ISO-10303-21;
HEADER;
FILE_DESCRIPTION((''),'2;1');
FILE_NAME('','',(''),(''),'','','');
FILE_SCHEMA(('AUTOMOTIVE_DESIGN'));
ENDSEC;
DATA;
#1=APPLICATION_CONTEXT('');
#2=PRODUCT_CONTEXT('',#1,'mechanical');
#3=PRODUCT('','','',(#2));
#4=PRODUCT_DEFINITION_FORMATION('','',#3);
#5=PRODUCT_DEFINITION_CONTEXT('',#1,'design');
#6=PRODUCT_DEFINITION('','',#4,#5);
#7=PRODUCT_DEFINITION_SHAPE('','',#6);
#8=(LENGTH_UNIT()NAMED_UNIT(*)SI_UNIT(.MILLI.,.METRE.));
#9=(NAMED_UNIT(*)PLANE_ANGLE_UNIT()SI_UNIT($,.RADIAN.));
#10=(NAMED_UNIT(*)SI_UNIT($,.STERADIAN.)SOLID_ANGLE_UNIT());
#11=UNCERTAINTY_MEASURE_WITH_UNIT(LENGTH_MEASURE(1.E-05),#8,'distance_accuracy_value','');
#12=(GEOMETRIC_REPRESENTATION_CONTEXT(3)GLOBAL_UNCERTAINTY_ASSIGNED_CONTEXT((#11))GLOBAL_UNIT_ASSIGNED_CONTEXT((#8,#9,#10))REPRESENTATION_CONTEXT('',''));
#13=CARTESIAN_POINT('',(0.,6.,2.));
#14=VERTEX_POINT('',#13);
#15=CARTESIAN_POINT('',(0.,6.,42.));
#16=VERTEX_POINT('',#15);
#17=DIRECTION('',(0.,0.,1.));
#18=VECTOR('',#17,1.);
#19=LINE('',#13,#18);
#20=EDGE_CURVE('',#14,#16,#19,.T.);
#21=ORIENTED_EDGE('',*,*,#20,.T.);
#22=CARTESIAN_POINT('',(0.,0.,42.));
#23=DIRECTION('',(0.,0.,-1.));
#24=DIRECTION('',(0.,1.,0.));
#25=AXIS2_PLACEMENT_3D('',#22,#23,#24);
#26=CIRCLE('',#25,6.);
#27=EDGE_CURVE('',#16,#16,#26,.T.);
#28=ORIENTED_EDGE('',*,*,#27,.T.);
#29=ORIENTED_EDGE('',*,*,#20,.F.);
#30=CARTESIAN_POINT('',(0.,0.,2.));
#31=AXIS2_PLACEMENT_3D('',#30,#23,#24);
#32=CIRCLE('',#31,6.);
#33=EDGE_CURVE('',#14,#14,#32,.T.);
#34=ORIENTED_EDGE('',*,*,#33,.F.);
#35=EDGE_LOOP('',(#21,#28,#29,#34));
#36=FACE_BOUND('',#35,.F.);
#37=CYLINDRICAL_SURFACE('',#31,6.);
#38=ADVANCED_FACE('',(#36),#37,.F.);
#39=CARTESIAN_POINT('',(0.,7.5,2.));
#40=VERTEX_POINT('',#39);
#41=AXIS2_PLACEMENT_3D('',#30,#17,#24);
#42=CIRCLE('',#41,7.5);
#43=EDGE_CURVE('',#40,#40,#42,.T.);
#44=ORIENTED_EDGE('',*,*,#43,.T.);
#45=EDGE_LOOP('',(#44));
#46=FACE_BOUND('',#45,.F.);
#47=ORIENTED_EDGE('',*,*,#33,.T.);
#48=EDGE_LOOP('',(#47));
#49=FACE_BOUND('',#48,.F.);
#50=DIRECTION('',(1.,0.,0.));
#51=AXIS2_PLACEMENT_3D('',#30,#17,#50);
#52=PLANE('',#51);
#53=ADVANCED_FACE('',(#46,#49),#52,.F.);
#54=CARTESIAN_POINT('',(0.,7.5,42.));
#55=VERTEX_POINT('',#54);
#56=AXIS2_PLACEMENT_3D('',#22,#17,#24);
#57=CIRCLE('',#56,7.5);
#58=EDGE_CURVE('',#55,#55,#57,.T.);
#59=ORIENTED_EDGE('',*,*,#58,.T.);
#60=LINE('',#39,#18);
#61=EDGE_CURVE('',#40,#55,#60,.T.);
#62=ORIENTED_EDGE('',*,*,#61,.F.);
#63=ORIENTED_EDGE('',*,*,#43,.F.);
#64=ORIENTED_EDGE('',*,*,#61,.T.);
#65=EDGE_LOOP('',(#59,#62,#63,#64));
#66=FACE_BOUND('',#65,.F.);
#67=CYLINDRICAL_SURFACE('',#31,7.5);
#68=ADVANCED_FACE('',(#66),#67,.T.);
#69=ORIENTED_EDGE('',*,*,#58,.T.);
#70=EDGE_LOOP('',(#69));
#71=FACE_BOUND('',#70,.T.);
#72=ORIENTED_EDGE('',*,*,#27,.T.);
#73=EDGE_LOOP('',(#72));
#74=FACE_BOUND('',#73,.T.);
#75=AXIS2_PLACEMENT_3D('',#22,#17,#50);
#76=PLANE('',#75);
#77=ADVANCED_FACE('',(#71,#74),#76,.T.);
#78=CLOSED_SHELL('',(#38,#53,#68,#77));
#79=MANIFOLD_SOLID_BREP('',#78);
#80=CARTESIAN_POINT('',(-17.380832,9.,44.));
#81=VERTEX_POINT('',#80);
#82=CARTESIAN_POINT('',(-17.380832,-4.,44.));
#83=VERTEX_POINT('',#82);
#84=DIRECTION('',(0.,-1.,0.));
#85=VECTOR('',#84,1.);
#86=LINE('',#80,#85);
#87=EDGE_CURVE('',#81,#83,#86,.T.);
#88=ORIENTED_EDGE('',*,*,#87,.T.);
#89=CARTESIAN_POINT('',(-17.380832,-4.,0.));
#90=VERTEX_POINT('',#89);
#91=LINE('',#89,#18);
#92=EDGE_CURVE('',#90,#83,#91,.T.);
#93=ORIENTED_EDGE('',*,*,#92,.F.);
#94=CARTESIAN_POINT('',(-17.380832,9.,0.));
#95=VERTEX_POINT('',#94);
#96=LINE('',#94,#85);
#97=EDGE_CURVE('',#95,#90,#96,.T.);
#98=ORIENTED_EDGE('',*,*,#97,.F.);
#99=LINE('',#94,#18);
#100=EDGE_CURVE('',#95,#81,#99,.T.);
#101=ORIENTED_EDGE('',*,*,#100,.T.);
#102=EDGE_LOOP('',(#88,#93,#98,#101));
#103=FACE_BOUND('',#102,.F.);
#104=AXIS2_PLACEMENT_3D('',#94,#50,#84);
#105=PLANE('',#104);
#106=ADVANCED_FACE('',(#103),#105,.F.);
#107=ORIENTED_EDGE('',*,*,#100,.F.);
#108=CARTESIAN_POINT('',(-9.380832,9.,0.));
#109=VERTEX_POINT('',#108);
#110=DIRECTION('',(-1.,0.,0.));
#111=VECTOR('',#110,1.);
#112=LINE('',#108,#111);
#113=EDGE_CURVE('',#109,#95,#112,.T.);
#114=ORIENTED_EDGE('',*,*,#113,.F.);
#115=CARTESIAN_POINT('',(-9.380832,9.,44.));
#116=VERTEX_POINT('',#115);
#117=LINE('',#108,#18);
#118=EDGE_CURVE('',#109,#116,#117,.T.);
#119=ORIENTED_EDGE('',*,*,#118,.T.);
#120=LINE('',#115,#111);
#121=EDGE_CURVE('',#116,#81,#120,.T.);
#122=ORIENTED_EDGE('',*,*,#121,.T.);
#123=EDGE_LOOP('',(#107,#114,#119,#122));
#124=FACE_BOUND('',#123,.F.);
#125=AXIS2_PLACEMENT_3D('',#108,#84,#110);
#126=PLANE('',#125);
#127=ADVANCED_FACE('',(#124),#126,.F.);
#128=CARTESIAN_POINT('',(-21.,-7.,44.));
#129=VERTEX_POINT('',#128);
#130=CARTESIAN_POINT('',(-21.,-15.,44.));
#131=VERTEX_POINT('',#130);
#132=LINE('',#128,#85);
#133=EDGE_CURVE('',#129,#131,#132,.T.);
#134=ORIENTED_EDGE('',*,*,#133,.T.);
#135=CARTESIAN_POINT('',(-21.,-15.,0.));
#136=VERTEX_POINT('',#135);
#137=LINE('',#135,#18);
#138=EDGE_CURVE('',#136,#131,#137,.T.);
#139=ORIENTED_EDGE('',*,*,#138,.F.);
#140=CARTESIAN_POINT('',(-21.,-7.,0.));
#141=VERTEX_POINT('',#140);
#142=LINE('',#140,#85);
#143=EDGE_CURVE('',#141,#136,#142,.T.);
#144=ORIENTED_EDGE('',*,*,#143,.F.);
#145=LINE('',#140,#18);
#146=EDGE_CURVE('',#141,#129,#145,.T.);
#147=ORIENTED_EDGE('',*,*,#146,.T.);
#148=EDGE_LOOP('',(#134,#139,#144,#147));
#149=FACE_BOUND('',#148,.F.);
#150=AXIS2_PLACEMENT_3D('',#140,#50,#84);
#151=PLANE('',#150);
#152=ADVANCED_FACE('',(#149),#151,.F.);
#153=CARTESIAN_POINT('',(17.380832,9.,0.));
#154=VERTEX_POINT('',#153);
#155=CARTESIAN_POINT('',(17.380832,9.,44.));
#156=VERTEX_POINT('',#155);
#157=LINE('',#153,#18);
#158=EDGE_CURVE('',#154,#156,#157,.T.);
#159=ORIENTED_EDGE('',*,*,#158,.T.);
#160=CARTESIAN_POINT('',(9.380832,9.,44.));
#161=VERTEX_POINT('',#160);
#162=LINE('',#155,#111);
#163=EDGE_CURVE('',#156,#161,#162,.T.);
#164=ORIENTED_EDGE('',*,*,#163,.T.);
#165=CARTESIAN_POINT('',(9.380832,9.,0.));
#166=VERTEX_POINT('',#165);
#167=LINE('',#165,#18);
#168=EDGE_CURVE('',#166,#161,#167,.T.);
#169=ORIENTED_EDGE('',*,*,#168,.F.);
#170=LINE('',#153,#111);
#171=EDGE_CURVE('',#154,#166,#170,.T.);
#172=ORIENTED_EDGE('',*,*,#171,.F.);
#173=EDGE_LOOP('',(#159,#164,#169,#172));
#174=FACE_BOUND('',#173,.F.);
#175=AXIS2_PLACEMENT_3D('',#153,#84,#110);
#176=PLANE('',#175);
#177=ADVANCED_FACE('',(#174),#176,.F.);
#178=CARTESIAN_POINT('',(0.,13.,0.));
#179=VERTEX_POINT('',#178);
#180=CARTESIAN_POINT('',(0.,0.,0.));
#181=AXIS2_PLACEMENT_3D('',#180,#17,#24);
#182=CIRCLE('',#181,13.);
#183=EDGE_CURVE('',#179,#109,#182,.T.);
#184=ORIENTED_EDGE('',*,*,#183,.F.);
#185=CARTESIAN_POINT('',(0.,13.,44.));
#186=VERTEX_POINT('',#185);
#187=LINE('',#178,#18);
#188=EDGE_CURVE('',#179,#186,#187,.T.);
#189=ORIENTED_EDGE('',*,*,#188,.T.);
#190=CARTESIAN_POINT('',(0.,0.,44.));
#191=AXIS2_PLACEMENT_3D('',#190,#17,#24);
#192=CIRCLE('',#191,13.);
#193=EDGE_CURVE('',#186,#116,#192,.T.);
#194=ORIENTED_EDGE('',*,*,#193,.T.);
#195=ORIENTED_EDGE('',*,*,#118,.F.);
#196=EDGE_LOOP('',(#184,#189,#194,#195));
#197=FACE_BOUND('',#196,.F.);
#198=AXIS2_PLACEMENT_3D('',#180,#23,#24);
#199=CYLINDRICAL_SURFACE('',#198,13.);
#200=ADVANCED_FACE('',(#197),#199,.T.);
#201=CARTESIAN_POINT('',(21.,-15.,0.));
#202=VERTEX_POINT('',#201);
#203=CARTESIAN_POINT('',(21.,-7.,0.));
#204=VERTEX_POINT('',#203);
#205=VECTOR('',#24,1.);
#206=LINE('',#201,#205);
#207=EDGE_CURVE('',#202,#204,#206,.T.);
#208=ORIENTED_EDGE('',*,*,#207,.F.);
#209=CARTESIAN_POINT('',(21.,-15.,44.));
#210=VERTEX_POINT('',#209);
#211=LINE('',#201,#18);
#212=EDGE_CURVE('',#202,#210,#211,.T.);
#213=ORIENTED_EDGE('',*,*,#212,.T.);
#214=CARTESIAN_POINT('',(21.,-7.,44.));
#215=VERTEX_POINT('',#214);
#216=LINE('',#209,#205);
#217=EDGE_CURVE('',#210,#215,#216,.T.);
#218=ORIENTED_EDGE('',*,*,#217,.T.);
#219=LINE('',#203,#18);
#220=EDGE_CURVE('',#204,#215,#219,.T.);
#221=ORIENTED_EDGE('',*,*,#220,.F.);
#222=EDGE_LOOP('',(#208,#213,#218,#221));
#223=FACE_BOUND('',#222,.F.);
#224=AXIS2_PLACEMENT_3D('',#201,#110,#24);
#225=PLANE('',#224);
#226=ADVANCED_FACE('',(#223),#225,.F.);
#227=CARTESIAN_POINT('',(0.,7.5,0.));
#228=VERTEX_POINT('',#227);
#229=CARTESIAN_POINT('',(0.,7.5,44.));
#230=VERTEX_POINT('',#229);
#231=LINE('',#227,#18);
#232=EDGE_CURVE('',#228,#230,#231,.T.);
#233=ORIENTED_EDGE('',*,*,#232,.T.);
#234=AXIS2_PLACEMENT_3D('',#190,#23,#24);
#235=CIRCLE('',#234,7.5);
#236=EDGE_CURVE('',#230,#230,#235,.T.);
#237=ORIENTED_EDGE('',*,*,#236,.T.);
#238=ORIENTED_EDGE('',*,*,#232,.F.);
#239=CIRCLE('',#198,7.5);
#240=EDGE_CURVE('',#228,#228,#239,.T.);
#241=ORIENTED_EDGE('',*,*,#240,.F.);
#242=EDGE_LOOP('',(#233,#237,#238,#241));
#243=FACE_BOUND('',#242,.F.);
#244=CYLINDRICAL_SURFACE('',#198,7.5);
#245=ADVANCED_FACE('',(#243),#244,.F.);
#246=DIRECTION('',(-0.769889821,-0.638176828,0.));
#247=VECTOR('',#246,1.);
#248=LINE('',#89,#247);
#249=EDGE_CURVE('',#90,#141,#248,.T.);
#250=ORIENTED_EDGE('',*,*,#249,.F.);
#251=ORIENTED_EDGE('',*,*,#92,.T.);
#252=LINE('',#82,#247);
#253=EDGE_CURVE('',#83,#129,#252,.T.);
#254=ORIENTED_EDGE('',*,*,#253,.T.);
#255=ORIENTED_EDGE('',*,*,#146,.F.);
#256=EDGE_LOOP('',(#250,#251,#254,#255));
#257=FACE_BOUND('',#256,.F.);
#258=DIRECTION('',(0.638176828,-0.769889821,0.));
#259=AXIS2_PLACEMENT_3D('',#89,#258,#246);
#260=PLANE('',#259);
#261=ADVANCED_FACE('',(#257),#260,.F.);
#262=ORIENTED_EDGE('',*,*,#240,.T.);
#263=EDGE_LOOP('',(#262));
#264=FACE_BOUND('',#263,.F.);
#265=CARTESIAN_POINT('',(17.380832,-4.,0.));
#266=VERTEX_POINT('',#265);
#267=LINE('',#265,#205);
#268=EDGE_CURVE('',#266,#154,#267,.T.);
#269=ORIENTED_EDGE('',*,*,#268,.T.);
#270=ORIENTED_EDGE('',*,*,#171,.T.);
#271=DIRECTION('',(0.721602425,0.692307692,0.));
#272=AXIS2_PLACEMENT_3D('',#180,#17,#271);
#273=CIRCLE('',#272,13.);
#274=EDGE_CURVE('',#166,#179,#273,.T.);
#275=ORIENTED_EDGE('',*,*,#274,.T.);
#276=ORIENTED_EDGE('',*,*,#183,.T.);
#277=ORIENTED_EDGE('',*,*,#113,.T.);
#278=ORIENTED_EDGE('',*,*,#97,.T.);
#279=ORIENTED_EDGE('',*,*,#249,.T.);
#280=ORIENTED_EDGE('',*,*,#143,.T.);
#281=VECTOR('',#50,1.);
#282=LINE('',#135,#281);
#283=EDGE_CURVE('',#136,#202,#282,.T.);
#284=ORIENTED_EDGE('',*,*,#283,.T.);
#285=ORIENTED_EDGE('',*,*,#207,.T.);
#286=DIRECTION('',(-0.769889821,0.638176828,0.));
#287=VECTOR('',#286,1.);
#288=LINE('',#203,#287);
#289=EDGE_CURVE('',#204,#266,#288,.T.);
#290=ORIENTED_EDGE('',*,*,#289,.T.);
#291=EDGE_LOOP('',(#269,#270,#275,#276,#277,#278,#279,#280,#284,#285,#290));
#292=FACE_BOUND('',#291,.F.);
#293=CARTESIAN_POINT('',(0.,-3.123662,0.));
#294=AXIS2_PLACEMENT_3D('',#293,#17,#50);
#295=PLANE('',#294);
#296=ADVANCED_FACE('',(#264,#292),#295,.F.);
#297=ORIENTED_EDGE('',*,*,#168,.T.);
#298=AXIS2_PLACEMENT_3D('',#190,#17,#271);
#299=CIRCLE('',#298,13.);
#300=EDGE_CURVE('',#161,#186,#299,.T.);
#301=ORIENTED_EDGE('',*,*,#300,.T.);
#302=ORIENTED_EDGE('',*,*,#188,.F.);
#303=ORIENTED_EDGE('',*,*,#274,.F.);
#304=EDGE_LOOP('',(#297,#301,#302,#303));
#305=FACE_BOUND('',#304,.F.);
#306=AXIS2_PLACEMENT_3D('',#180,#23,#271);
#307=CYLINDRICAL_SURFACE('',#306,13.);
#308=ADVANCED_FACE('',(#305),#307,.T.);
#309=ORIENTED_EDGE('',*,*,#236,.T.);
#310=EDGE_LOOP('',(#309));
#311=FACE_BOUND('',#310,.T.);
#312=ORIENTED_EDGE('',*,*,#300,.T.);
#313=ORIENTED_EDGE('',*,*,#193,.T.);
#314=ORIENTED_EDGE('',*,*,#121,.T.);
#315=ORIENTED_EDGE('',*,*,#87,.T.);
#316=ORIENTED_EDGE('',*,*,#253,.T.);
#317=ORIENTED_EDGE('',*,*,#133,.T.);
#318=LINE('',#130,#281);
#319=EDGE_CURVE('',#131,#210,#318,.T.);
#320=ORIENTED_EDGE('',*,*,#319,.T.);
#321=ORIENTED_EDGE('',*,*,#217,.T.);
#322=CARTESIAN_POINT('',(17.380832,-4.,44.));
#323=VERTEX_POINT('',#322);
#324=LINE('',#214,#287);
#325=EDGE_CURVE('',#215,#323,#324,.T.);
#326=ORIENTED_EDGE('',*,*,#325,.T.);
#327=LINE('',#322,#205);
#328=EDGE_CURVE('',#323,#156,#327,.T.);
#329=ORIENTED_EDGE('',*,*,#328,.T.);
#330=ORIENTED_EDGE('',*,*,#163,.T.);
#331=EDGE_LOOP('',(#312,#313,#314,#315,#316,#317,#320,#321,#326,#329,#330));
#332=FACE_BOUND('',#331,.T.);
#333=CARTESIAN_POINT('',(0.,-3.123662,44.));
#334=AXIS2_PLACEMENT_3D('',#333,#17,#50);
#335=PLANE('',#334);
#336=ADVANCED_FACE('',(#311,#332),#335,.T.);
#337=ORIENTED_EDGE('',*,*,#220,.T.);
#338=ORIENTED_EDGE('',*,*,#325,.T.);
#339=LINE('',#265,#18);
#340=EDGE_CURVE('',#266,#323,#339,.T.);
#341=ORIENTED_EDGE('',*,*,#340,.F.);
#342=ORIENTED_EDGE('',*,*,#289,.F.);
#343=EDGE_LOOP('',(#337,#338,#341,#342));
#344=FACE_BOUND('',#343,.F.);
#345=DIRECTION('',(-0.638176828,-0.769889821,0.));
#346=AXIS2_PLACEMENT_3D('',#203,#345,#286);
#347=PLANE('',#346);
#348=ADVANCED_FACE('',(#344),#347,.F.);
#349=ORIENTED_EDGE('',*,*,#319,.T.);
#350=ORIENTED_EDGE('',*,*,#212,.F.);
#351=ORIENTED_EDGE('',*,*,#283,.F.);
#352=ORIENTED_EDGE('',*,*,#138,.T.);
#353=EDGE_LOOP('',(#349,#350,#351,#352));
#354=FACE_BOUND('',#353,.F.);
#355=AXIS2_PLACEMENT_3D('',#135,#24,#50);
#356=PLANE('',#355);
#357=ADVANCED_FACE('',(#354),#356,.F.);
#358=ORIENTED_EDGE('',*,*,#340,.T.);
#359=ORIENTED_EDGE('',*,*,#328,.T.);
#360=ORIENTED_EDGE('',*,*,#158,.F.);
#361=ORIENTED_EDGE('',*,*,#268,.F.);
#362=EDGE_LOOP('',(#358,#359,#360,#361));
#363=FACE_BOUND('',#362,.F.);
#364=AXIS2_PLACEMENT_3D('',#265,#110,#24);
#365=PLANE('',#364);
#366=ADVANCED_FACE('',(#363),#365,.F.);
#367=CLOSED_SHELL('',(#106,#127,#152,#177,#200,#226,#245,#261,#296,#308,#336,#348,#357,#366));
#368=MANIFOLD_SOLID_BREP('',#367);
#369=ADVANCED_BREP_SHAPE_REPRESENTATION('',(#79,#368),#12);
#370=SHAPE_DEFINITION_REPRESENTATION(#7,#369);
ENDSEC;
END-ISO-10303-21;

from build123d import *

# Parameters (mm, degrees)
F1_DEPTH = 44
F3_START = 2
F3_DEPTH = 40


with BuildPart() as f1:
    # F0 (on Top) → F1 (new body)
    with BuildSketch(Plane.XY):
        with BuildLine():
            Line((-21, -15), (0, -15))
            Line((0, -15), (21, -15))
            Line((21, -15), (21, -7))
            Line((21, -7), (17.3808315196, -4))
            Line((17.3808315196, -4), (17.3808315196, 9))
            Line((17.3808315196, 9), (9.3808315196, 9))
            ThreePointArc((9.3808315196, 9), (5.0990195136, 11.9582607431), (0, 13))
            ThreePointArc((0, 13), (-5.0990195136, 11.9582607431), (-9.3808315196, 9))
            Line((-9.3808315196, 9), (-17.3808315196, 9))
            Line((-17.3808315196, 9), (-17.3808315196, -4))
            Line((-17.3808315196, -4), (-21, -7))
            Line((-21, -7), (-21, -15))
        make_face()
        with BuildLine():
            ThreePointArc((0, -7.5), (-7.5, 0), (0, 7.5))
            ThreePointArc((0, 7.5), (7.5, 0), (0, -7.5))
        make_face(mode=Mode.SUBTRACT)
    extrude(amount=F1_DEPTH)


with BuildPart() as f3:
    # F0 (on Top) → F3 (new body)
    with BuildSketch(Plane.XY.offset(F3_START)):
        with BuildLine():
            ThreePointArc((0, -7.5), (7.5, 0), (0, 7.5))
            ThreePointArc((0, 7.5), (-7.5, 0), (0, -7.5))
        make_face()
        with BuildLine():
            ThreePointArc((0, -6), (-6, 0), (0, 6))
            ThreePointArc((0, 6), (6, 0), (0, -6))
        make_face(mode=Mode.SUBTRACT)
    extrude(amount=F3_DEPTH)


solid = Compound([f1.part, f3.part])
